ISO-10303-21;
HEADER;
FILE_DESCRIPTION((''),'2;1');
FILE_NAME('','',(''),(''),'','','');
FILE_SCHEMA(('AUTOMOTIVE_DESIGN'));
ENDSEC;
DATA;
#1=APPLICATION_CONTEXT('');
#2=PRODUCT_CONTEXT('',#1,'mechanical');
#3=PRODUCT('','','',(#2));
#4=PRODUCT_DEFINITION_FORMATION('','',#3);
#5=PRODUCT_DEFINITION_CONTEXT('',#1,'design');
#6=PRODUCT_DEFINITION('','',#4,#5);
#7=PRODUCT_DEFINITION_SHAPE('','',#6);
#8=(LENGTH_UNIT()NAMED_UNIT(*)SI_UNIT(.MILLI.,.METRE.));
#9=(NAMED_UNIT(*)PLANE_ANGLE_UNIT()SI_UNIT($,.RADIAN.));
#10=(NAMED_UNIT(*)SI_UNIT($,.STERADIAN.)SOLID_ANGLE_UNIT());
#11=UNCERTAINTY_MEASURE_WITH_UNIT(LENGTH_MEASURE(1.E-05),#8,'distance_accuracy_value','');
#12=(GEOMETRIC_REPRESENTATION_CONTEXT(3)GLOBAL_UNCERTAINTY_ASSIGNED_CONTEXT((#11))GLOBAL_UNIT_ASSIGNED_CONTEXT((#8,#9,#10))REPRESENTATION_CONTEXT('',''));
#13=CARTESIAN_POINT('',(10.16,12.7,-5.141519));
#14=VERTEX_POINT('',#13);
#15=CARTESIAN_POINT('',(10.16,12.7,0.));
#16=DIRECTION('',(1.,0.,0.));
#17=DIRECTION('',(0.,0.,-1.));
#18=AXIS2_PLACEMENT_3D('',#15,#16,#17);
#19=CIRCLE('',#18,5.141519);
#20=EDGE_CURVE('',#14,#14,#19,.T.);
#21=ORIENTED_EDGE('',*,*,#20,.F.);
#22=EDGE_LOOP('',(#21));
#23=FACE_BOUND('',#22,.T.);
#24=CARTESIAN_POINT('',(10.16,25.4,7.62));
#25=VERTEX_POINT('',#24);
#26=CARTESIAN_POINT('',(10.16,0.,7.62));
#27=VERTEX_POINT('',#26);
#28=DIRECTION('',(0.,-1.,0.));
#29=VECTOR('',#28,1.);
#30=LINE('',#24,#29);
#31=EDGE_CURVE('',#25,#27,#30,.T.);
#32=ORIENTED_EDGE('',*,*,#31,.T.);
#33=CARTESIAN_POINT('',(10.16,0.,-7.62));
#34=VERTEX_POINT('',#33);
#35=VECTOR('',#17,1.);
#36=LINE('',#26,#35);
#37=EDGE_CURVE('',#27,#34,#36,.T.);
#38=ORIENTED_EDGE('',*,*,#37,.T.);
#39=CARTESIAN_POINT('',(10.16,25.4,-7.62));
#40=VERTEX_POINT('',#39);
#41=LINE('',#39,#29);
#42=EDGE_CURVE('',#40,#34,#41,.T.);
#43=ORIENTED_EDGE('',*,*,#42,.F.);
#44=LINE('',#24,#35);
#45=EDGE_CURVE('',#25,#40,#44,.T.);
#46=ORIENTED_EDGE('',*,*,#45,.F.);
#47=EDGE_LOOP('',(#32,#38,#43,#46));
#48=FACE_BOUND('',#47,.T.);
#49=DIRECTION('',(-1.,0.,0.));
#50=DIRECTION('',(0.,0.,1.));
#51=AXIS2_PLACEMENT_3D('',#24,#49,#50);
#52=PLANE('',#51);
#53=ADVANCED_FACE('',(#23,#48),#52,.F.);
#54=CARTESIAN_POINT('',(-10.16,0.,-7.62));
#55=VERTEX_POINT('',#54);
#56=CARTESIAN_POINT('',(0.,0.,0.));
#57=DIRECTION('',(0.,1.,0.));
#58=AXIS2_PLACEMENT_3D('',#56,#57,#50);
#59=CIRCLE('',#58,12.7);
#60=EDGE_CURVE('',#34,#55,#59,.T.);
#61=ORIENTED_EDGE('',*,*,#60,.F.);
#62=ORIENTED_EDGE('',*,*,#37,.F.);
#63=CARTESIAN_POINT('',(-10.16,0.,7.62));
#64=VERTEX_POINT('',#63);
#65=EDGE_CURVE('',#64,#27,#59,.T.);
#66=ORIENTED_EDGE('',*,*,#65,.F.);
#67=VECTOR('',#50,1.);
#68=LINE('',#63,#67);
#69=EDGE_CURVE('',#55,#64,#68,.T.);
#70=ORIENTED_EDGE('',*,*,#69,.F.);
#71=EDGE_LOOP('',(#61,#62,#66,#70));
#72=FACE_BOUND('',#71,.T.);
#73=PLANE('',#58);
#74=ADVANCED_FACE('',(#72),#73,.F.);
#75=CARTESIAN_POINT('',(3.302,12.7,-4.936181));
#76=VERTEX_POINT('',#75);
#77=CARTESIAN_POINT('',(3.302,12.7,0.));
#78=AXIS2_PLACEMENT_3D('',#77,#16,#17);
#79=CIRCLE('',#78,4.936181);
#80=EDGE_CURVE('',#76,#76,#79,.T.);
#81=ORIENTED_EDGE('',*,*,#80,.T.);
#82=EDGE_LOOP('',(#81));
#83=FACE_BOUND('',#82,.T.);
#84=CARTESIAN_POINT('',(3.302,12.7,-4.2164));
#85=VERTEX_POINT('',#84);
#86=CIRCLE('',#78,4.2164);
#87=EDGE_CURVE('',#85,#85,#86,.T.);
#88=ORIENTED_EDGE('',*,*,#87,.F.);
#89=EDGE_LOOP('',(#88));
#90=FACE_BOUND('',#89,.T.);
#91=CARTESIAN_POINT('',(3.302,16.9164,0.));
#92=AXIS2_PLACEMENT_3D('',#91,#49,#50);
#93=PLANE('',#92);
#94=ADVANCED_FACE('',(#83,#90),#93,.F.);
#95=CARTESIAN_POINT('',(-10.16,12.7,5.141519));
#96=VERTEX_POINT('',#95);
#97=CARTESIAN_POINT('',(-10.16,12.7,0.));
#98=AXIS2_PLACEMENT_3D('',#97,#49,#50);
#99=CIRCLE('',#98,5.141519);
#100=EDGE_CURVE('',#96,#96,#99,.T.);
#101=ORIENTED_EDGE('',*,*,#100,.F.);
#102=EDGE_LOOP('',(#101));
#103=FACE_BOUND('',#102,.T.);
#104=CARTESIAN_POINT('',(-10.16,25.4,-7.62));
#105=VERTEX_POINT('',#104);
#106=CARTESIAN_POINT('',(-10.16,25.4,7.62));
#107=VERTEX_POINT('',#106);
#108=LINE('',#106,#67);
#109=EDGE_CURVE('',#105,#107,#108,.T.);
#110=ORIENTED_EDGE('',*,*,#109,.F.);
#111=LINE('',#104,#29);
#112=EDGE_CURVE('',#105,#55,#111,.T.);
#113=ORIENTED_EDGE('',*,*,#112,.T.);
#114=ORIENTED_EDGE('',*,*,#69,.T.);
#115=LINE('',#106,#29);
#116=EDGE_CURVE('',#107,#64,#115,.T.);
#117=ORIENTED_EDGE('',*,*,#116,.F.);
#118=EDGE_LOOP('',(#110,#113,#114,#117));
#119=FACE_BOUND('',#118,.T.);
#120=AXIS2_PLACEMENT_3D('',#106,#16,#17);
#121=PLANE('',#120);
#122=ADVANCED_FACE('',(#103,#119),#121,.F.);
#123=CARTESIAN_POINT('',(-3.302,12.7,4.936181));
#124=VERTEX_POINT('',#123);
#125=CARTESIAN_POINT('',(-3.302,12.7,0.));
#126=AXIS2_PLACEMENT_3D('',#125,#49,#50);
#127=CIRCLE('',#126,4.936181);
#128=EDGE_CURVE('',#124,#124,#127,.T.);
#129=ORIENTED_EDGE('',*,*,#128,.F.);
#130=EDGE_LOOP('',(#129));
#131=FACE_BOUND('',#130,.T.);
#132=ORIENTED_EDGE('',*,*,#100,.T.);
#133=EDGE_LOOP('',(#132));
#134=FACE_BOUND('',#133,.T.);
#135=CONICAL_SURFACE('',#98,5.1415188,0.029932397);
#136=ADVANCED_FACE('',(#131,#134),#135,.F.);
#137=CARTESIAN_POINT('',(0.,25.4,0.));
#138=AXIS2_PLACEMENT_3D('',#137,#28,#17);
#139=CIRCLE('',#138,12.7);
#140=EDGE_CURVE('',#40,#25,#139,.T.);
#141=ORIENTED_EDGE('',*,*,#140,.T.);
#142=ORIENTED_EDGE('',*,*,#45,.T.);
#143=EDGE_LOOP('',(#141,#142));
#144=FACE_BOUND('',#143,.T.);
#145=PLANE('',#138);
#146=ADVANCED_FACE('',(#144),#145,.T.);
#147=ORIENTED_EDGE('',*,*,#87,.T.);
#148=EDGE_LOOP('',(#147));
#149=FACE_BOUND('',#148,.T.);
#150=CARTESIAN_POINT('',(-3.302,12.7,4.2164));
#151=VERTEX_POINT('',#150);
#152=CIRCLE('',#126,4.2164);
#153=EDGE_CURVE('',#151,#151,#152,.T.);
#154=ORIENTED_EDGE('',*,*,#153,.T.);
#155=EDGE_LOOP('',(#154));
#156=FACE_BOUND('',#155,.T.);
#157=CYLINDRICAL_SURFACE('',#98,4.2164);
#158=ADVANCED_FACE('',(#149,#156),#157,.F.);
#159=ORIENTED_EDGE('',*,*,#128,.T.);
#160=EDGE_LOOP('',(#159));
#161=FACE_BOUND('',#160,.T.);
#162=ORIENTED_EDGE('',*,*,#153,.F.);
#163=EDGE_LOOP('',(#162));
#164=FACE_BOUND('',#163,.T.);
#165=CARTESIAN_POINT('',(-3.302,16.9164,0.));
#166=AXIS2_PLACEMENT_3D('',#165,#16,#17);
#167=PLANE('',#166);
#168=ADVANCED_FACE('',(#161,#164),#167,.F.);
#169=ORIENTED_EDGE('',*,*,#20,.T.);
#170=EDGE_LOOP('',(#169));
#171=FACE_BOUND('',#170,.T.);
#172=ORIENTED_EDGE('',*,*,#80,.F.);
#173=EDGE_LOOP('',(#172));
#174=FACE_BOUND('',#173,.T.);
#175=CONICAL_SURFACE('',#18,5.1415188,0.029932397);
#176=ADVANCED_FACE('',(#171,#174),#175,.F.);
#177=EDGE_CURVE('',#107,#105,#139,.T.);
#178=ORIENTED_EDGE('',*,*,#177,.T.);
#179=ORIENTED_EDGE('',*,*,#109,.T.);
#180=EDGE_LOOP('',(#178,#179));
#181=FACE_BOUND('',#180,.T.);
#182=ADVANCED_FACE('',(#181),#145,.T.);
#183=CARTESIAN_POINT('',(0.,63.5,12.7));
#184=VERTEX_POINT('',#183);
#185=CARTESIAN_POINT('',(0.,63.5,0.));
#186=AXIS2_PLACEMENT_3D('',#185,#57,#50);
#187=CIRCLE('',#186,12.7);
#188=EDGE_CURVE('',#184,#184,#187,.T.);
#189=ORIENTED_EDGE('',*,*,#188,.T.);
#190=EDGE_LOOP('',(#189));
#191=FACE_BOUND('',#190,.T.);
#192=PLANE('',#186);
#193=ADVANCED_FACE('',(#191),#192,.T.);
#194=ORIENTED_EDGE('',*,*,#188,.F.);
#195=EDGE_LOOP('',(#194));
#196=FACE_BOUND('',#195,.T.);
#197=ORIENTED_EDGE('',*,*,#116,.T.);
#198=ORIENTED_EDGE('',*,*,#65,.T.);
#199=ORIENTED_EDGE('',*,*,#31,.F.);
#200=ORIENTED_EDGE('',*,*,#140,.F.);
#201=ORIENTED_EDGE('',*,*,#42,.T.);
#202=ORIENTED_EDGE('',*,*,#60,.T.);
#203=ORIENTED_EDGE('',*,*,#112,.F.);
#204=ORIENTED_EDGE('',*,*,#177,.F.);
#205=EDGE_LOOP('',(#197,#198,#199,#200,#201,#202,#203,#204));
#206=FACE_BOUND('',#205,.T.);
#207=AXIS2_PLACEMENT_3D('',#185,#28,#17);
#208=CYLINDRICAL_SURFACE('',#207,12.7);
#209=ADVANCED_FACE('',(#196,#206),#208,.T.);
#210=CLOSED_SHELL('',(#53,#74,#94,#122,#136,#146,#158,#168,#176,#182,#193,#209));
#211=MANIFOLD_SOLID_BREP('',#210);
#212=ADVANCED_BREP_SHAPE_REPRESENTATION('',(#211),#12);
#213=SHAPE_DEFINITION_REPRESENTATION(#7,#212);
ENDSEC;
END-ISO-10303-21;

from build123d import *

# Parameters (mm, degrees)
SKETCH1_R           = 12.7
BOSS_EXTRUDE1_DEPTH = 63.5
CUT_EXTRUDE1_DEPTH  = 25.4


with BuildPart() as part:
    # Sketch1 → Boss-Extrude1 (new body)
    with BuildSketch(Plane(origin=(0, 0, 0), x_dir=(1, 0, 0), z_dir=(0, 1, 0))):
        with Locations(Location((0, 0, 0), (0, 0, 270))):
            Circle(SKETCH1_R)
    extrude(amount=BOSS_EXTRUDE1_DEPTH)

    # Sketch2 → Cut-Extrude1 (cut)
    with BuildSketch(Plane.XZ):
        with BuildLine():
            Line((-10.16, 7.62), (-10.16, -7.62))
            ThreePointArc((-10.16, -7.62), (-12.7, 0), (-10.16, 7.62))
        make_face()
        with BuildLine():
            Line((10.16, 7.62), (10.16, -7.62))
            ThreePointArc((10.16, -7.62), (12.7, 0), (10.16, 7.62))
        make_face()
    extrude(amount=-CUT_EXTRUDE1_DEPTH, mode=Mode.SUBTRACT)

    # Sketch4 → 1/8 NPT Tapped Hole1 (revolve, cut)
    with BuildSketch(Plane(origin=(-10.16, 12.7, 0), x_dir=(0, 0, 1), z_dir=(0, 1, 0))):
        Polygon((0, 0), (0, 14.217468714), (4.2164, 11.684), (4.2164, 6.858), (4.936181096, 6.858), (5.1415188, 0), align=None)
    f_1_8_npt_tapped_hole1 = revolve(axis=Axis((-16.51, 12.7, 0), (1, 0, 0)), mode=Mode.SUBTRACT)

    # Mirror1: 1/8 NPT Tapped Hole1 across plane
    add(f_1_8_npt_tapped_hole1.mirror(Plane(origin=(0, 0, 0), x_dir=(0, 0, 1), z_dir=(1, 0, 0))), mode=Mode.SUBTRACT)


solid = part.part
